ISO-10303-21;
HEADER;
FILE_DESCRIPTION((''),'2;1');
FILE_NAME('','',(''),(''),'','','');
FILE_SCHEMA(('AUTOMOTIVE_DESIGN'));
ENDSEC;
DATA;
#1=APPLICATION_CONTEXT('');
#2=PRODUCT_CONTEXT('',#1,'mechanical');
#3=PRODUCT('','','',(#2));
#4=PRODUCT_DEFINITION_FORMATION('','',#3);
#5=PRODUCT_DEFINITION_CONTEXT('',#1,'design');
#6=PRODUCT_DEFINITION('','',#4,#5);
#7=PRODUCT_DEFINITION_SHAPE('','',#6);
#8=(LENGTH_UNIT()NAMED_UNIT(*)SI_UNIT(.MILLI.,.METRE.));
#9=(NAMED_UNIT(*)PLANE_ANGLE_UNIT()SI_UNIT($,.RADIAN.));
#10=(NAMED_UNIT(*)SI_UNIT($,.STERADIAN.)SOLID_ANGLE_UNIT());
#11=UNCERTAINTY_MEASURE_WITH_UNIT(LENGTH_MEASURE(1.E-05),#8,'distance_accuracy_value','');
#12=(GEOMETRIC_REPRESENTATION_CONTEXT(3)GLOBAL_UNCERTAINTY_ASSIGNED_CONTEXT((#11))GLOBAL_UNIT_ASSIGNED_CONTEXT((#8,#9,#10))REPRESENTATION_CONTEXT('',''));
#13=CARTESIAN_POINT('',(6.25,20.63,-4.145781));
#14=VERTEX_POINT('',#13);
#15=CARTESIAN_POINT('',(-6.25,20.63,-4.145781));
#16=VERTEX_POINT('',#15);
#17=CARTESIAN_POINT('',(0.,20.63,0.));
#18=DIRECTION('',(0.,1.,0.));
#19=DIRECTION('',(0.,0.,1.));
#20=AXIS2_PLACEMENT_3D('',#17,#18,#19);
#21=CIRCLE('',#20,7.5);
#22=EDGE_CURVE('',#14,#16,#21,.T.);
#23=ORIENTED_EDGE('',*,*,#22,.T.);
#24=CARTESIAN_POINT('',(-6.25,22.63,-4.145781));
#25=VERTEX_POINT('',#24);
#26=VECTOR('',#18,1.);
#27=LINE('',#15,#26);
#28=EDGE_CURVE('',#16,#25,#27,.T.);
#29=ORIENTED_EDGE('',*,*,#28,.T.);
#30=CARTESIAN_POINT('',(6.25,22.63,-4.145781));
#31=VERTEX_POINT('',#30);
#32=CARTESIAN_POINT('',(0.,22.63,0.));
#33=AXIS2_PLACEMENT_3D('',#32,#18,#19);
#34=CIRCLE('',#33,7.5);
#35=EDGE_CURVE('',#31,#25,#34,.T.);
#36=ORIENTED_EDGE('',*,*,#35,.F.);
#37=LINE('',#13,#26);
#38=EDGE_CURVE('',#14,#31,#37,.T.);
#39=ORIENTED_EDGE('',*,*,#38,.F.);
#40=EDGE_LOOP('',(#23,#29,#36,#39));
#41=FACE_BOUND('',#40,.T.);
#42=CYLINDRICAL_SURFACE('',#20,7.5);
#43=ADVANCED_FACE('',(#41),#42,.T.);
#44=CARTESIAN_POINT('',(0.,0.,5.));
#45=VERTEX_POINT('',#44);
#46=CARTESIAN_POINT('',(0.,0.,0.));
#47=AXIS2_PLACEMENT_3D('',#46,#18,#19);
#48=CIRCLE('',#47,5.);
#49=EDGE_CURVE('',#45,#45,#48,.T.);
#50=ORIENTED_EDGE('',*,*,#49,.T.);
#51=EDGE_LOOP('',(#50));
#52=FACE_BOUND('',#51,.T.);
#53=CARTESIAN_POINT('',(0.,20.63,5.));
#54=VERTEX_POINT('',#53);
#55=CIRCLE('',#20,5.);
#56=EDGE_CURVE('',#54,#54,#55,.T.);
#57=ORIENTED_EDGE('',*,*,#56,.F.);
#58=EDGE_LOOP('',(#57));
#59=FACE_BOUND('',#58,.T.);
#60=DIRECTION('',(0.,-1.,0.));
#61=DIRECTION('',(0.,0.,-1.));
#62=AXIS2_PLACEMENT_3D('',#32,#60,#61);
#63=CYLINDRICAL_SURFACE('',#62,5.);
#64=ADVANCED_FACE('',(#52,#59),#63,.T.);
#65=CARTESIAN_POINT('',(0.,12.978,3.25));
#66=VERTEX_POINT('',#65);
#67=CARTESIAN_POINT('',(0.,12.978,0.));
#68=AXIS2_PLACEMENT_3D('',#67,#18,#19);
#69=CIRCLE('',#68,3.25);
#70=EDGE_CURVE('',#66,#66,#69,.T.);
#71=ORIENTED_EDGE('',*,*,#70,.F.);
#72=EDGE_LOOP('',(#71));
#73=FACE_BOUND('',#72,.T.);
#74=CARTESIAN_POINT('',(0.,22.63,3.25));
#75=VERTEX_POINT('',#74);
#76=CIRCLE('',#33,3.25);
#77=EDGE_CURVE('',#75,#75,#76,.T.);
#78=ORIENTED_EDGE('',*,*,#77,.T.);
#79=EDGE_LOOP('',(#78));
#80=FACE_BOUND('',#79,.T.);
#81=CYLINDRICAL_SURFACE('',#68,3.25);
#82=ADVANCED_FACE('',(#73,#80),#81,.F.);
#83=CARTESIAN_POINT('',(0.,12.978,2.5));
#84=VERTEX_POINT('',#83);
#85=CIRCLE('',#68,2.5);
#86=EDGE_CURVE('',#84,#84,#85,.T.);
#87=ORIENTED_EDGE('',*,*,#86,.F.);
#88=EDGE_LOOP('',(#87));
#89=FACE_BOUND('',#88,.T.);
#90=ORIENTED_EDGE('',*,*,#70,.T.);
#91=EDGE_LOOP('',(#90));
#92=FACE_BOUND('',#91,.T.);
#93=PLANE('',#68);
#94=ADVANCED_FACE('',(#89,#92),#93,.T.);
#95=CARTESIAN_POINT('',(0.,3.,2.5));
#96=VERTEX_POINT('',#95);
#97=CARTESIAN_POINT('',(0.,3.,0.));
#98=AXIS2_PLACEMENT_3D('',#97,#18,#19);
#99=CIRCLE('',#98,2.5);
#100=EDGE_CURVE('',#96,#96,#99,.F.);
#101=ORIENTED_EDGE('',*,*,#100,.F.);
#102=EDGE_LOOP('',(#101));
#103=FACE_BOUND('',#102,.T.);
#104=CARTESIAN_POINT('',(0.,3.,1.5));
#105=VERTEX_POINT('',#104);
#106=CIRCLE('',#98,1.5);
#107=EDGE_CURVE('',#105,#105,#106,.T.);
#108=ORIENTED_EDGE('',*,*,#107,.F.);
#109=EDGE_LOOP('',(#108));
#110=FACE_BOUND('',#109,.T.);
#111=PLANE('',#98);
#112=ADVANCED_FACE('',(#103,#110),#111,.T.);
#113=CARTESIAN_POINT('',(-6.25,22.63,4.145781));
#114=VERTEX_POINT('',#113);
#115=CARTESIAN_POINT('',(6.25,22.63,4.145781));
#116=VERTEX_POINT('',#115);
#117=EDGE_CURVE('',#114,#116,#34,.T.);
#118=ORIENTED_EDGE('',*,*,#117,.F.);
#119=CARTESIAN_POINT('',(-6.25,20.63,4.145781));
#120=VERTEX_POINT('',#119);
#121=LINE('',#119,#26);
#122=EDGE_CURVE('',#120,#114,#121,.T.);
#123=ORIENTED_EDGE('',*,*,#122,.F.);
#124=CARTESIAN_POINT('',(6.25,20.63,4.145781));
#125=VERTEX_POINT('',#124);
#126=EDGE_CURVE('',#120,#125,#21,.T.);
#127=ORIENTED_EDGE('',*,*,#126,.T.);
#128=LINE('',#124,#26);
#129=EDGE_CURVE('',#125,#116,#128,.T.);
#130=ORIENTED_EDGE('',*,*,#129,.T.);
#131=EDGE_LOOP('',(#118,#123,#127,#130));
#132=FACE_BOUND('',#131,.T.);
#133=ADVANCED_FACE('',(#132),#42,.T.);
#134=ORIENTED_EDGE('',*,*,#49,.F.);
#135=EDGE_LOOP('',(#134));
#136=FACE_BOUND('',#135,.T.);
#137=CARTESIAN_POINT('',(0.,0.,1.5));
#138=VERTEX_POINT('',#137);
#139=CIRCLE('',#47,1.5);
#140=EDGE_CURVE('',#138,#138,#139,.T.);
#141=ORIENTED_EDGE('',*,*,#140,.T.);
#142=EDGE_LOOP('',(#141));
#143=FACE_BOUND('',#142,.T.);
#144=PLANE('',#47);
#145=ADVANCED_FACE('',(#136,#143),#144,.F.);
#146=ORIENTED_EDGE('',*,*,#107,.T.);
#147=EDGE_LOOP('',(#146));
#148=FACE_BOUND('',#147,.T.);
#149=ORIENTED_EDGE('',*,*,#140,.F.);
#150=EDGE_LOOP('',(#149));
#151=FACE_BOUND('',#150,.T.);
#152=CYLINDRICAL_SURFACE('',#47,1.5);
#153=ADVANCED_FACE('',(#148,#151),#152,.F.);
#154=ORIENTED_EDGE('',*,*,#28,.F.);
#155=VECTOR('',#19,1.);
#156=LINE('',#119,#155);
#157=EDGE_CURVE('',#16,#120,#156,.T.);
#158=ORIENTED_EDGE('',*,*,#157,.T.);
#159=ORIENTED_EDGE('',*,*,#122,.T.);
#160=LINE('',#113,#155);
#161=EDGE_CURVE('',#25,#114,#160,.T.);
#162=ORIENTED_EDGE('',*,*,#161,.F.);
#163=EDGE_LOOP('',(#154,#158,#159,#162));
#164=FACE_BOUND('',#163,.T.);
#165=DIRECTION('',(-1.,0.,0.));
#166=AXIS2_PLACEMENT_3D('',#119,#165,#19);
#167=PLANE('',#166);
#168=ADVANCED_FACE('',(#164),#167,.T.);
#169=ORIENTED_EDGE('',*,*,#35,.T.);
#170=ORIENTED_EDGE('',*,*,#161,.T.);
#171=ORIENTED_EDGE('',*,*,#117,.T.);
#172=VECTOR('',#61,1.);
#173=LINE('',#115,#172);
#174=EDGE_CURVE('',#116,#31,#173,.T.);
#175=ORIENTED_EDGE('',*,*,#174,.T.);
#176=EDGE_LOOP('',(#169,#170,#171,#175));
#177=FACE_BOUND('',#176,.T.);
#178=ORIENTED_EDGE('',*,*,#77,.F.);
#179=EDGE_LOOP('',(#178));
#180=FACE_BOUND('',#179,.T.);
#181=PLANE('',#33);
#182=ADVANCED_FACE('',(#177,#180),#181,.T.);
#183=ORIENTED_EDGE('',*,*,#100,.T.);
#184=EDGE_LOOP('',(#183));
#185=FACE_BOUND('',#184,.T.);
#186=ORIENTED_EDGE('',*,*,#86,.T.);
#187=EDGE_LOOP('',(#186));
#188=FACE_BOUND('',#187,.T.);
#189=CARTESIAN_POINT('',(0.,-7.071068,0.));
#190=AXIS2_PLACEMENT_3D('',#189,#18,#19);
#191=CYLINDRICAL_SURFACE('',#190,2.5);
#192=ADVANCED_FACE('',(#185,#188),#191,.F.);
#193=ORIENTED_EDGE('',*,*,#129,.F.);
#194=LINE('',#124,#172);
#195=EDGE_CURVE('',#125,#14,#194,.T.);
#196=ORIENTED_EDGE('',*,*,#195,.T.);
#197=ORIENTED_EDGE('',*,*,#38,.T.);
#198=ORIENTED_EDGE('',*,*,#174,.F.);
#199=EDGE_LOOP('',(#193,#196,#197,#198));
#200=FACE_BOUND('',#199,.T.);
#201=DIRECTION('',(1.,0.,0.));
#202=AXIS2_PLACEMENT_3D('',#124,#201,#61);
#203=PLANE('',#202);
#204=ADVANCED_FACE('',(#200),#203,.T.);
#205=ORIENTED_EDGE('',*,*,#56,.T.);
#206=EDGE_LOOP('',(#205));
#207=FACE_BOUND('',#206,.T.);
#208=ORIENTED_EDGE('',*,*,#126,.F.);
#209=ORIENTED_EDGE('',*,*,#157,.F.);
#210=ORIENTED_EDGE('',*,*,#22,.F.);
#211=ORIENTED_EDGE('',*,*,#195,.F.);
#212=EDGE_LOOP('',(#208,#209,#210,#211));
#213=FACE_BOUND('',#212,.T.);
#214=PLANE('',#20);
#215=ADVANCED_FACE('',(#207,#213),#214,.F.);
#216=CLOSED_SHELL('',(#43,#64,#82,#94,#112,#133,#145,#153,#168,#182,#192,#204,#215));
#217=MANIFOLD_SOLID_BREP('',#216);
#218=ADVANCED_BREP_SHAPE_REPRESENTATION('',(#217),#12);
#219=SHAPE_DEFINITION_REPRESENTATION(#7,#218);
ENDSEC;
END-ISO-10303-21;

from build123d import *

# Parameters (mm, degrees)
SKETCH1_R           = 5
BOSS_EXTRUDE1_DEPTH = 22.63
SKETCH2_R           = 3.25
CUT_EXTRUDE1_DEPTH  = 9.652
SKETCH3_R           = 2.5
CUT_EXTRUDE2_DEPTH  = 9.978
SKETCH4_R           = 1.5
CUT_EXTRUDE3_DEPTH  = 3
BOSS_EXTRUDE3_START = -2
SKETCH5_R           = 5
BOSS_EXTRUDE3_DEPTH = 2


with BuildPart() as part:
    # Sketch1 → Boss-Extrude1 (new body)
    with BuildSketch(Plane(origin=(0, 0, 0), x_dir=(1, 0, 0), z_dir=(0, 1, 0))):
        with Locations(Location((0, 0, 0), (0, 0, 270))):
            Circle(SKETCH1_R)
    extrude(amount=BOSS_EXTRUDE1_DEPTH)

    # Sketch2 → Cut-Extrude1 (cut)
    with BuildSketch(Plane(origin=(0, 22.63, 0), x_dir=(1, 0, 0), z_dir=(0, 1, 0))):
        with Locations(Location((0, 0, 0), (0, 0, 270))):
            Circle(SKETCH2_R)
    extrude(amount=-CUT_EXTRUDE1_DEPTH, mode=Mode.SUBTRACT)

    # Sketch3 → Cut-Extrude2 (cut)
    with BuildSketch(Plane(origin=(0, 12.978, 0), x_dir=(1, 0, 0), z_dir=(0, 1, 0))):
        with Locations(Location((0, 0, 0), (0, 0, 270))):
            Circle(SKETCH3_R)
    extrude(amount=-CUT_EXTRUDE2_DEPTH, mode=Mode.SUBTRACT)

    # Sketch4 → Cut-Extrude3 (cut)
    with BuildSketch(Plane(origin=(0, 3, 0), x_dir=(1, 0, 0), z_dir=(0, 1, 0))):
        with Locations(Location((0, 0, 0), (0, 0, 270))):
            Circle(SKETCH4_R)
    extrude(amount=-CUT_EXTRUDE3_DEPTH, mode=Mode.SUBTRACT)

    # Sketch5 → Boss-Extrude3 (add)
    with BuildSketch(Plane(origin=(0, 22.63, 0), x_dir=(1, 0, 0), z_dir=(0, 1, 0)).offset(BOSS_EXTRUDE3_START)):
        with BuildLine():
            Line((6.25, -4.145780988), (6.25, 4.145780988))
            ThreePointArc((6.25, 4.145780988), (0, 7.5), (-6.25, 4.145780988))
            Line((-6.25, 4.145780988), (-6.25, -4.145780988))
            ThreePointArc((-6.25, -4.145780988), (0, -7.5), (6.25, -4.145780988))
        make_face()
        with Locations(Location((0, 0, 0), (0, 0, 270))):
            Circle(SKETCH5_R, mode=Mode.SUBTRACT)
    extrude(amount=BOSS_EXTRUDE3_DEPTH)


solid = part.part
